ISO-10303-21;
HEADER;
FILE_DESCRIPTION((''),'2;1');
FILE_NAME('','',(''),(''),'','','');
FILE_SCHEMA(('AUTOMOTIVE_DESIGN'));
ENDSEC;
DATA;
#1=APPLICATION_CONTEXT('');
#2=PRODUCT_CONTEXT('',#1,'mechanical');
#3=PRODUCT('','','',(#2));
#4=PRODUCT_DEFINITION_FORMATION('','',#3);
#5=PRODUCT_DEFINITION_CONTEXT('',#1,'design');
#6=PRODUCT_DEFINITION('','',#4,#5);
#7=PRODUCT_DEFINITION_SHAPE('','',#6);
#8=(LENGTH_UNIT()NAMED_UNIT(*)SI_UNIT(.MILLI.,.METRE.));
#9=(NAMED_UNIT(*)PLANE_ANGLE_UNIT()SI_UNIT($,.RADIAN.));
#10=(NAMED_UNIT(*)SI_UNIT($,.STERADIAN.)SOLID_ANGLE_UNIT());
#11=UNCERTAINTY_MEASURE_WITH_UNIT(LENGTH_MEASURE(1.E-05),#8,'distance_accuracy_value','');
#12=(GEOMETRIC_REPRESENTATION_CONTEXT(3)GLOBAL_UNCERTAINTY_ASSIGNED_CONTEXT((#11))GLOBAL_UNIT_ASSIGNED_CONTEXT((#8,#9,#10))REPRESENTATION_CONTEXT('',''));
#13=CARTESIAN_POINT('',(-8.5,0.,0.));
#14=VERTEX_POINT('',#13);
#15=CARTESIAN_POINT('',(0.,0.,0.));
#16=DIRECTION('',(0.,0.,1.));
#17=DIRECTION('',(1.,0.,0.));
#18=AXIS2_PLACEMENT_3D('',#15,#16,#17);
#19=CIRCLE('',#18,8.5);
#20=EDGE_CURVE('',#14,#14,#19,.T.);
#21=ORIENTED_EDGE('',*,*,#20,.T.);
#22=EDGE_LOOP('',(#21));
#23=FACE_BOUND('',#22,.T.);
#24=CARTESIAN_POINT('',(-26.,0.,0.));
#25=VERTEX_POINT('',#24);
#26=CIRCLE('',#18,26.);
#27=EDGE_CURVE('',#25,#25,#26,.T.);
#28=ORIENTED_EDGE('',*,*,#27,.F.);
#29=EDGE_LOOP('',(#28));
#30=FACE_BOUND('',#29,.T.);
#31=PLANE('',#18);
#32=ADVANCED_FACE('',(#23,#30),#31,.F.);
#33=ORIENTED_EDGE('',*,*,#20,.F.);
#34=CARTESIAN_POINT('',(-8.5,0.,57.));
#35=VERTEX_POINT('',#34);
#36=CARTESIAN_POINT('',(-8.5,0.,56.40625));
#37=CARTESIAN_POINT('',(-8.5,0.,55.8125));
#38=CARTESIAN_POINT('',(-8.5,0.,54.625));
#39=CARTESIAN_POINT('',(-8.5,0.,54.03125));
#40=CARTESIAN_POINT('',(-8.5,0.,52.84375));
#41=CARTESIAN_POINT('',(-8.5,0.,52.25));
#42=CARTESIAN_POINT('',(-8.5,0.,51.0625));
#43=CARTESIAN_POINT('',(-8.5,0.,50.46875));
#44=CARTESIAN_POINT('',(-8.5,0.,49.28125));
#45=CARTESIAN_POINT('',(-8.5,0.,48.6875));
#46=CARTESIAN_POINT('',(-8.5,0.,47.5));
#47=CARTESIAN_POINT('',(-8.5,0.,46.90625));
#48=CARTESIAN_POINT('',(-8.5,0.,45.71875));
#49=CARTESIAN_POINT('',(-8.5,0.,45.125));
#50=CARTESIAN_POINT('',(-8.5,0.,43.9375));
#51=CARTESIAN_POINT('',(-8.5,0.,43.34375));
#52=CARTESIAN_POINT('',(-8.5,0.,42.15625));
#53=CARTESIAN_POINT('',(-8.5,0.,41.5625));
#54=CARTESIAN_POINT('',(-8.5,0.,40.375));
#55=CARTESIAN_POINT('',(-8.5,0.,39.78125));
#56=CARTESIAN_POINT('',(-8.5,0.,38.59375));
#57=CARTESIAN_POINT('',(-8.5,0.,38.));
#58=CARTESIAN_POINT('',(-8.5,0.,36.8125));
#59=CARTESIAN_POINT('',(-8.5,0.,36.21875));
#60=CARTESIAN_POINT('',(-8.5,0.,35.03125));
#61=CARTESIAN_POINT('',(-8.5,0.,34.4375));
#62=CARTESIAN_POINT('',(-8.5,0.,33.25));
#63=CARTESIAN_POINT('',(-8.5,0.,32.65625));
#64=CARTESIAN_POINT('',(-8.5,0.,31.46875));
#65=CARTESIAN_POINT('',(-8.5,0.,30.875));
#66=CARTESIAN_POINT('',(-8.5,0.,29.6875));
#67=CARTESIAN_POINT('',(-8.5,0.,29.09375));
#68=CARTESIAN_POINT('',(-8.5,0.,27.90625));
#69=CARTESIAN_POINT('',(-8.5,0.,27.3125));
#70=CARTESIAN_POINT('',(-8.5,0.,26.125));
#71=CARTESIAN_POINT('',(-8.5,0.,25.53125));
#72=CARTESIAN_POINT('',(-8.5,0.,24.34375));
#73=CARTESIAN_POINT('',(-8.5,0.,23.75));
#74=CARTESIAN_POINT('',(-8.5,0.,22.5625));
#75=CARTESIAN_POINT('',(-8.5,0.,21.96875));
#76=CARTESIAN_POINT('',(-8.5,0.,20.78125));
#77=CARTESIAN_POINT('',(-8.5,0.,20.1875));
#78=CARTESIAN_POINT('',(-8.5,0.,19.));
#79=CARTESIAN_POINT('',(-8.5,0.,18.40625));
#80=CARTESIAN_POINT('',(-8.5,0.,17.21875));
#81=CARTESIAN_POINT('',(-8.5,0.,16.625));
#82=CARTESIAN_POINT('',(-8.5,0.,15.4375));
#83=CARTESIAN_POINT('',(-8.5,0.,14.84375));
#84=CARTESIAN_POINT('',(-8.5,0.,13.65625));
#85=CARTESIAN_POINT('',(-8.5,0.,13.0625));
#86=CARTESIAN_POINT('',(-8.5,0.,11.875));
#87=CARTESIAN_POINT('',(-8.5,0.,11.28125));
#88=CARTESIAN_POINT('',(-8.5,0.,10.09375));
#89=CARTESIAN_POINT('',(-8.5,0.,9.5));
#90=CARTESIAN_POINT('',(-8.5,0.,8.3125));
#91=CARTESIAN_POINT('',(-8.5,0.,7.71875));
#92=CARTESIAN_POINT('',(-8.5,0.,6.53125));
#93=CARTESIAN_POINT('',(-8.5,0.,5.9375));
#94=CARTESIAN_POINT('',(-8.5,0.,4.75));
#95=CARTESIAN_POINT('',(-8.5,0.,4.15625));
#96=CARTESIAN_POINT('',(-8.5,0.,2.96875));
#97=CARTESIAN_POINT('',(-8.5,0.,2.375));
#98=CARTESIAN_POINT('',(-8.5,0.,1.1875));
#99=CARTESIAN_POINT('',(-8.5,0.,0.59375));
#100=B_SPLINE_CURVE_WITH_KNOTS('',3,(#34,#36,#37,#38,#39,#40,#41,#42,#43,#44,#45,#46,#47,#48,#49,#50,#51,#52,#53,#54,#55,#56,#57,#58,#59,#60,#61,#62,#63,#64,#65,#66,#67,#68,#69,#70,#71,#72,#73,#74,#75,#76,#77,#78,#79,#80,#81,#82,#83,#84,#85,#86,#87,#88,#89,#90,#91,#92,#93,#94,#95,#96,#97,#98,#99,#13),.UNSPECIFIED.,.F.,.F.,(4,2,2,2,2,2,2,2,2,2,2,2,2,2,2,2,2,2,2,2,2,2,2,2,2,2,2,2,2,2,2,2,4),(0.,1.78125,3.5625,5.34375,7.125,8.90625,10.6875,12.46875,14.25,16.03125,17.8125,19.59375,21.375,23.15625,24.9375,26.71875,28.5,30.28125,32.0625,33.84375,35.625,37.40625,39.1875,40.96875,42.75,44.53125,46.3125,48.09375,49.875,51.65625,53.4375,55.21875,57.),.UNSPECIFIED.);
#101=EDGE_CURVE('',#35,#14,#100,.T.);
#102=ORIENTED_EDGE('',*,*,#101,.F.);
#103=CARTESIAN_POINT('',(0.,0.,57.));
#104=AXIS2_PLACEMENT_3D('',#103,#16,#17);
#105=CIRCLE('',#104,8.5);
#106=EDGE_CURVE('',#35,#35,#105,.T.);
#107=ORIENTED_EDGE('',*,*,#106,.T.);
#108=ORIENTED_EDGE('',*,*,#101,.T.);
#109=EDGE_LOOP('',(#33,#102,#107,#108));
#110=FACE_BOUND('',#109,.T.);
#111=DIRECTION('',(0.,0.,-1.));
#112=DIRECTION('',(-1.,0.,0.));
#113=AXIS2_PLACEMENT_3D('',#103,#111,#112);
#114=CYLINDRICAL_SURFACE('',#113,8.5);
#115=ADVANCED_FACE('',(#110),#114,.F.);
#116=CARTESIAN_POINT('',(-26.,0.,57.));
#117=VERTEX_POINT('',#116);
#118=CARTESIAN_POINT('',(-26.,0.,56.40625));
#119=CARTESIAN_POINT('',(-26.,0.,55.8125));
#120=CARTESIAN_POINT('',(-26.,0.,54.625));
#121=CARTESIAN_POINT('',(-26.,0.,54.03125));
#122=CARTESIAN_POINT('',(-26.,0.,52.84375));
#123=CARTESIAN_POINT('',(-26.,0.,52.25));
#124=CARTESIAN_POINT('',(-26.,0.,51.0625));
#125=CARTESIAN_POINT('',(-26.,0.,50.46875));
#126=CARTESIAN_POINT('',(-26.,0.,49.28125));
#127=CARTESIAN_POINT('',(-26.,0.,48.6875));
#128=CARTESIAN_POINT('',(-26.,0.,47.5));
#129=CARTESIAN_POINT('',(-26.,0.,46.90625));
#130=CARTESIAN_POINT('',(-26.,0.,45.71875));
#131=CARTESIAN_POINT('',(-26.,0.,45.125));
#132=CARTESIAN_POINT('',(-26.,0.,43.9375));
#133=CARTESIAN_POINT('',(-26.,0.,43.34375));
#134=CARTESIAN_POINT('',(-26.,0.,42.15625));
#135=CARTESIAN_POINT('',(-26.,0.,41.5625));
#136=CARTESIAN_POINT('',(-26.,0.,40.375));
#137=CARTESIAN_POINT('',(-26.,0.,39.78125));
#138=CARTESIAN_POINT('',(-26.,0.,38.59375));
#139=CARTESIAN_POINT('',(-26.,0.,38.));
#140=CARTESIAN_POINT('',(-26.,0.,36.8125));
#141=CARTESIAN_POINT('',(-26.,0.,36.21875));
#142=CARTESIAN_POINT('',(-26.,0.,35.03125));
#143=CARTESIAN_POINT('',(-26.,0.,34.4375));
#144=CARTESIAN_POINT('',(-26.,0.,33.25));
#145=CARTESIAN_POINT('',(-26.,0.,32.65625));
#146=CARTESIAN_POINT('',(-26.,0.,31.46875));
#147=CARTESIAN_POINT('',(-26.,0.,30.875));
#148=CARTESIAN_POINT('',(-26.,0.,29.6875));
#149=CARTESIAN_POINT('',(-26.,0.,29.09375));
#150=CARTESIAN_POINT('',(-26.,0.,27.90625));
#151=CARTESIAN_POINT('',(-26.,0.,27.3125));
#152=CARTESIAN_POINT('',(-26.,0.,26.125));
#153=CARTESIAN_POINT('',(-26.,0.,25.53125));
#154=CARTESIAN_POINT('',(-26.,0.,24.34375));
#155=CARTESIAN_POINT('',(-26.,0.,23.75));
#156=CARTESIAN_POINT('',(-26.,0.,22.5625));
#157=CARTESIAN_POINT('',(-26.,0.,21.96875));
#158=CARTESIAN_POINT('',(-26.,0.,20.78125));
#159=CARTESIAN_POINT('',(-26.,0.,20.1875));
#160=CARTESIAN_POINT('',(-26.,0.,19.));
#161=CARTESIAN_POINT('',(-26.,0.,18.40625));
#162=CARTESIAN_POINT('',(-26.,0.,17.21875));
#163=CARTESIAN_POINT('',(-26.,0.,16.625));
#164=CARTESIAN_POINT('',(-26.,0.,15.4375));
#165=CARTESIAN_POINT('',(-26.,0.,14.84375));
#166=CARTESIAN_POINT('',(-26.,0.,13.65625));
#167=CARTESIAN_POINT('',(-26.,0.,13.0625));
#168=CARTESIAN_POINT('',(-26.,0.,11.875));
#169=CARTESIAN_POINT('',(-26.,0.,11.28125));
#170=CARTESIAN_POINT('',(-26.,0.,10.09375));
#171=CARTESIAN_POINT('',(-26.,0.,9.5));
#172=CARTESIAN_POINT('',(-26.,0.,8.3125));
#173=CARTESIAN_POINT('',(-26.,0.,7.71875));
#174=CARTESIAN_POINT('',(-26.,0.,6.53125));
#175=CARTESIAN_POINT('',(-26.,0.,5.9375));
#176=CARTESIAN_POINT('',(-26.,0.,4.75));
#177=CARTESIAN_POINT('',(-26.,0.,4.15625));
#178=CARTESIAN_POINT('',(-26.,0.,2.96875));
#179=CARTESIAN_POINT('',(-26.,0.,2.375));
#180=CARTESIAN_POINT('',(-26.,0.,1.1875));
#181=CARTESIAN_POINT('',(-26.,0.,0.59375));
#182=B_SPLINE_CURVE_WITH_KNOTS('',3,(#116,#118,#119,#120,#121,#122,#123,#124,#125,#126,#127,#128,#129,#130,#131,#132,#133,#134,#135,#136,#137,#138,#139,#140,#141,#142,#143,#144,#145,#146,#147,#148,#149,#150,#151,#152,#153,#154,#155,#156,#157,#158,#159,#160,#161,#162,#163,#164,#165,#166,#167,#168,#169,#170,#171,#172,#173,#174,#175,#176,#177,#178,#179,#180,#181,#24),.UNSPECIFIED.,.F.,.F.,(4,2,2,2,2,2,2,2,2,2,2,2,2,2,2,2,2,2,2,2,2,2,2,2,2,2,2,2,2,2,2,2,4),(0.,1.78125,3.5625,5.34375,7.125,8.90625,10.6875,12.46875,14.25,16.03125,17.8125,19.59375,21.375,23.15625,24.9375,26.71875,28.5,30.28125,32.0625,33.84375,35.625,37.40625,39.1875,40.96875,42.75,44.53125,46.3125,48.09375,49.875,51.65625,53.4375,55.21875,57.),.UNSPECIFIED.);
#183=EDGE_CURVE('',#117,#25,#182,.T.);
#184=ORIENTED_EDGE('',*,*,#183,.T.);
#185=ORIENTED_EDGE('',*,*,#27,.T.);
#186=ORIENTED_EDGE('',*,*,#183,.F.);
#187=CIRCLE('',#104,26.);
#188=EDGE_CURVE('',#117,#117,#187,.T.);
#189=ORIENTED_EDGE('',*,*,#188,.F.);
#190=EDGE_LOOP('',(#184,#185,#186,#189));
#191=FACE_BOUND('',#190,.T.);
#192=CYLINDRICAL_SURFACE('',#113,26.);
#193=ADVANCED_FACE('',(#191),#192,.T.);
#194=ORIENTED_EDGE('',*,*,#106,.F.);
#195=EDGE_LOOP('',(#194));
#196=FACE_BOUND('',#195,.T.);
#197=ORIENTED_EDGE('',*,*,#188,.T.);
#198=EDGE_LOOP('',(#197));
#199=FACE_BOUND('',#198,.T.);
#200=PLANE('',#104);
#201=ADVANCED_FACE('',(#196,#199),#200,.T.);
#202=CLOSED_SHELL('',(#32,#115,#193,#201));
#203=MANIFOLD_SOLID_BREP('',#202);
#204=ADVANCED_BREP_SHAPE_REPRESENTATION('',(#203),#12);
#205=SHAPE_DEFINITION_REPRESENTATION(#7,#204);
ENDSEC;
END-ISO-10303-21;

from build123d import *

# Parameters (mm, degrees)
SKETCH1_R           = 26
SKETCH1_R_2         = 8.5
BOSS_EXTRUDE1_DEPTH = 57


with BuildPart() as part:
    # Sketch1 → Boss-Extrude1 (new body)
    with BuildSketch(Plane.XY):
        with Locations(Location((0, 0, 0), (0, 0, 180))):
            Circle(SKETCH1_R)
        with Locations(Location((0, 0, 0), (0, 0, 180))):
            Circle(SKETCH1_R_2, mode=Mode.SUBTRACT)
    extrude(amount=BOSS_EXTRUDE1_DEPTH)


solid = part.part
